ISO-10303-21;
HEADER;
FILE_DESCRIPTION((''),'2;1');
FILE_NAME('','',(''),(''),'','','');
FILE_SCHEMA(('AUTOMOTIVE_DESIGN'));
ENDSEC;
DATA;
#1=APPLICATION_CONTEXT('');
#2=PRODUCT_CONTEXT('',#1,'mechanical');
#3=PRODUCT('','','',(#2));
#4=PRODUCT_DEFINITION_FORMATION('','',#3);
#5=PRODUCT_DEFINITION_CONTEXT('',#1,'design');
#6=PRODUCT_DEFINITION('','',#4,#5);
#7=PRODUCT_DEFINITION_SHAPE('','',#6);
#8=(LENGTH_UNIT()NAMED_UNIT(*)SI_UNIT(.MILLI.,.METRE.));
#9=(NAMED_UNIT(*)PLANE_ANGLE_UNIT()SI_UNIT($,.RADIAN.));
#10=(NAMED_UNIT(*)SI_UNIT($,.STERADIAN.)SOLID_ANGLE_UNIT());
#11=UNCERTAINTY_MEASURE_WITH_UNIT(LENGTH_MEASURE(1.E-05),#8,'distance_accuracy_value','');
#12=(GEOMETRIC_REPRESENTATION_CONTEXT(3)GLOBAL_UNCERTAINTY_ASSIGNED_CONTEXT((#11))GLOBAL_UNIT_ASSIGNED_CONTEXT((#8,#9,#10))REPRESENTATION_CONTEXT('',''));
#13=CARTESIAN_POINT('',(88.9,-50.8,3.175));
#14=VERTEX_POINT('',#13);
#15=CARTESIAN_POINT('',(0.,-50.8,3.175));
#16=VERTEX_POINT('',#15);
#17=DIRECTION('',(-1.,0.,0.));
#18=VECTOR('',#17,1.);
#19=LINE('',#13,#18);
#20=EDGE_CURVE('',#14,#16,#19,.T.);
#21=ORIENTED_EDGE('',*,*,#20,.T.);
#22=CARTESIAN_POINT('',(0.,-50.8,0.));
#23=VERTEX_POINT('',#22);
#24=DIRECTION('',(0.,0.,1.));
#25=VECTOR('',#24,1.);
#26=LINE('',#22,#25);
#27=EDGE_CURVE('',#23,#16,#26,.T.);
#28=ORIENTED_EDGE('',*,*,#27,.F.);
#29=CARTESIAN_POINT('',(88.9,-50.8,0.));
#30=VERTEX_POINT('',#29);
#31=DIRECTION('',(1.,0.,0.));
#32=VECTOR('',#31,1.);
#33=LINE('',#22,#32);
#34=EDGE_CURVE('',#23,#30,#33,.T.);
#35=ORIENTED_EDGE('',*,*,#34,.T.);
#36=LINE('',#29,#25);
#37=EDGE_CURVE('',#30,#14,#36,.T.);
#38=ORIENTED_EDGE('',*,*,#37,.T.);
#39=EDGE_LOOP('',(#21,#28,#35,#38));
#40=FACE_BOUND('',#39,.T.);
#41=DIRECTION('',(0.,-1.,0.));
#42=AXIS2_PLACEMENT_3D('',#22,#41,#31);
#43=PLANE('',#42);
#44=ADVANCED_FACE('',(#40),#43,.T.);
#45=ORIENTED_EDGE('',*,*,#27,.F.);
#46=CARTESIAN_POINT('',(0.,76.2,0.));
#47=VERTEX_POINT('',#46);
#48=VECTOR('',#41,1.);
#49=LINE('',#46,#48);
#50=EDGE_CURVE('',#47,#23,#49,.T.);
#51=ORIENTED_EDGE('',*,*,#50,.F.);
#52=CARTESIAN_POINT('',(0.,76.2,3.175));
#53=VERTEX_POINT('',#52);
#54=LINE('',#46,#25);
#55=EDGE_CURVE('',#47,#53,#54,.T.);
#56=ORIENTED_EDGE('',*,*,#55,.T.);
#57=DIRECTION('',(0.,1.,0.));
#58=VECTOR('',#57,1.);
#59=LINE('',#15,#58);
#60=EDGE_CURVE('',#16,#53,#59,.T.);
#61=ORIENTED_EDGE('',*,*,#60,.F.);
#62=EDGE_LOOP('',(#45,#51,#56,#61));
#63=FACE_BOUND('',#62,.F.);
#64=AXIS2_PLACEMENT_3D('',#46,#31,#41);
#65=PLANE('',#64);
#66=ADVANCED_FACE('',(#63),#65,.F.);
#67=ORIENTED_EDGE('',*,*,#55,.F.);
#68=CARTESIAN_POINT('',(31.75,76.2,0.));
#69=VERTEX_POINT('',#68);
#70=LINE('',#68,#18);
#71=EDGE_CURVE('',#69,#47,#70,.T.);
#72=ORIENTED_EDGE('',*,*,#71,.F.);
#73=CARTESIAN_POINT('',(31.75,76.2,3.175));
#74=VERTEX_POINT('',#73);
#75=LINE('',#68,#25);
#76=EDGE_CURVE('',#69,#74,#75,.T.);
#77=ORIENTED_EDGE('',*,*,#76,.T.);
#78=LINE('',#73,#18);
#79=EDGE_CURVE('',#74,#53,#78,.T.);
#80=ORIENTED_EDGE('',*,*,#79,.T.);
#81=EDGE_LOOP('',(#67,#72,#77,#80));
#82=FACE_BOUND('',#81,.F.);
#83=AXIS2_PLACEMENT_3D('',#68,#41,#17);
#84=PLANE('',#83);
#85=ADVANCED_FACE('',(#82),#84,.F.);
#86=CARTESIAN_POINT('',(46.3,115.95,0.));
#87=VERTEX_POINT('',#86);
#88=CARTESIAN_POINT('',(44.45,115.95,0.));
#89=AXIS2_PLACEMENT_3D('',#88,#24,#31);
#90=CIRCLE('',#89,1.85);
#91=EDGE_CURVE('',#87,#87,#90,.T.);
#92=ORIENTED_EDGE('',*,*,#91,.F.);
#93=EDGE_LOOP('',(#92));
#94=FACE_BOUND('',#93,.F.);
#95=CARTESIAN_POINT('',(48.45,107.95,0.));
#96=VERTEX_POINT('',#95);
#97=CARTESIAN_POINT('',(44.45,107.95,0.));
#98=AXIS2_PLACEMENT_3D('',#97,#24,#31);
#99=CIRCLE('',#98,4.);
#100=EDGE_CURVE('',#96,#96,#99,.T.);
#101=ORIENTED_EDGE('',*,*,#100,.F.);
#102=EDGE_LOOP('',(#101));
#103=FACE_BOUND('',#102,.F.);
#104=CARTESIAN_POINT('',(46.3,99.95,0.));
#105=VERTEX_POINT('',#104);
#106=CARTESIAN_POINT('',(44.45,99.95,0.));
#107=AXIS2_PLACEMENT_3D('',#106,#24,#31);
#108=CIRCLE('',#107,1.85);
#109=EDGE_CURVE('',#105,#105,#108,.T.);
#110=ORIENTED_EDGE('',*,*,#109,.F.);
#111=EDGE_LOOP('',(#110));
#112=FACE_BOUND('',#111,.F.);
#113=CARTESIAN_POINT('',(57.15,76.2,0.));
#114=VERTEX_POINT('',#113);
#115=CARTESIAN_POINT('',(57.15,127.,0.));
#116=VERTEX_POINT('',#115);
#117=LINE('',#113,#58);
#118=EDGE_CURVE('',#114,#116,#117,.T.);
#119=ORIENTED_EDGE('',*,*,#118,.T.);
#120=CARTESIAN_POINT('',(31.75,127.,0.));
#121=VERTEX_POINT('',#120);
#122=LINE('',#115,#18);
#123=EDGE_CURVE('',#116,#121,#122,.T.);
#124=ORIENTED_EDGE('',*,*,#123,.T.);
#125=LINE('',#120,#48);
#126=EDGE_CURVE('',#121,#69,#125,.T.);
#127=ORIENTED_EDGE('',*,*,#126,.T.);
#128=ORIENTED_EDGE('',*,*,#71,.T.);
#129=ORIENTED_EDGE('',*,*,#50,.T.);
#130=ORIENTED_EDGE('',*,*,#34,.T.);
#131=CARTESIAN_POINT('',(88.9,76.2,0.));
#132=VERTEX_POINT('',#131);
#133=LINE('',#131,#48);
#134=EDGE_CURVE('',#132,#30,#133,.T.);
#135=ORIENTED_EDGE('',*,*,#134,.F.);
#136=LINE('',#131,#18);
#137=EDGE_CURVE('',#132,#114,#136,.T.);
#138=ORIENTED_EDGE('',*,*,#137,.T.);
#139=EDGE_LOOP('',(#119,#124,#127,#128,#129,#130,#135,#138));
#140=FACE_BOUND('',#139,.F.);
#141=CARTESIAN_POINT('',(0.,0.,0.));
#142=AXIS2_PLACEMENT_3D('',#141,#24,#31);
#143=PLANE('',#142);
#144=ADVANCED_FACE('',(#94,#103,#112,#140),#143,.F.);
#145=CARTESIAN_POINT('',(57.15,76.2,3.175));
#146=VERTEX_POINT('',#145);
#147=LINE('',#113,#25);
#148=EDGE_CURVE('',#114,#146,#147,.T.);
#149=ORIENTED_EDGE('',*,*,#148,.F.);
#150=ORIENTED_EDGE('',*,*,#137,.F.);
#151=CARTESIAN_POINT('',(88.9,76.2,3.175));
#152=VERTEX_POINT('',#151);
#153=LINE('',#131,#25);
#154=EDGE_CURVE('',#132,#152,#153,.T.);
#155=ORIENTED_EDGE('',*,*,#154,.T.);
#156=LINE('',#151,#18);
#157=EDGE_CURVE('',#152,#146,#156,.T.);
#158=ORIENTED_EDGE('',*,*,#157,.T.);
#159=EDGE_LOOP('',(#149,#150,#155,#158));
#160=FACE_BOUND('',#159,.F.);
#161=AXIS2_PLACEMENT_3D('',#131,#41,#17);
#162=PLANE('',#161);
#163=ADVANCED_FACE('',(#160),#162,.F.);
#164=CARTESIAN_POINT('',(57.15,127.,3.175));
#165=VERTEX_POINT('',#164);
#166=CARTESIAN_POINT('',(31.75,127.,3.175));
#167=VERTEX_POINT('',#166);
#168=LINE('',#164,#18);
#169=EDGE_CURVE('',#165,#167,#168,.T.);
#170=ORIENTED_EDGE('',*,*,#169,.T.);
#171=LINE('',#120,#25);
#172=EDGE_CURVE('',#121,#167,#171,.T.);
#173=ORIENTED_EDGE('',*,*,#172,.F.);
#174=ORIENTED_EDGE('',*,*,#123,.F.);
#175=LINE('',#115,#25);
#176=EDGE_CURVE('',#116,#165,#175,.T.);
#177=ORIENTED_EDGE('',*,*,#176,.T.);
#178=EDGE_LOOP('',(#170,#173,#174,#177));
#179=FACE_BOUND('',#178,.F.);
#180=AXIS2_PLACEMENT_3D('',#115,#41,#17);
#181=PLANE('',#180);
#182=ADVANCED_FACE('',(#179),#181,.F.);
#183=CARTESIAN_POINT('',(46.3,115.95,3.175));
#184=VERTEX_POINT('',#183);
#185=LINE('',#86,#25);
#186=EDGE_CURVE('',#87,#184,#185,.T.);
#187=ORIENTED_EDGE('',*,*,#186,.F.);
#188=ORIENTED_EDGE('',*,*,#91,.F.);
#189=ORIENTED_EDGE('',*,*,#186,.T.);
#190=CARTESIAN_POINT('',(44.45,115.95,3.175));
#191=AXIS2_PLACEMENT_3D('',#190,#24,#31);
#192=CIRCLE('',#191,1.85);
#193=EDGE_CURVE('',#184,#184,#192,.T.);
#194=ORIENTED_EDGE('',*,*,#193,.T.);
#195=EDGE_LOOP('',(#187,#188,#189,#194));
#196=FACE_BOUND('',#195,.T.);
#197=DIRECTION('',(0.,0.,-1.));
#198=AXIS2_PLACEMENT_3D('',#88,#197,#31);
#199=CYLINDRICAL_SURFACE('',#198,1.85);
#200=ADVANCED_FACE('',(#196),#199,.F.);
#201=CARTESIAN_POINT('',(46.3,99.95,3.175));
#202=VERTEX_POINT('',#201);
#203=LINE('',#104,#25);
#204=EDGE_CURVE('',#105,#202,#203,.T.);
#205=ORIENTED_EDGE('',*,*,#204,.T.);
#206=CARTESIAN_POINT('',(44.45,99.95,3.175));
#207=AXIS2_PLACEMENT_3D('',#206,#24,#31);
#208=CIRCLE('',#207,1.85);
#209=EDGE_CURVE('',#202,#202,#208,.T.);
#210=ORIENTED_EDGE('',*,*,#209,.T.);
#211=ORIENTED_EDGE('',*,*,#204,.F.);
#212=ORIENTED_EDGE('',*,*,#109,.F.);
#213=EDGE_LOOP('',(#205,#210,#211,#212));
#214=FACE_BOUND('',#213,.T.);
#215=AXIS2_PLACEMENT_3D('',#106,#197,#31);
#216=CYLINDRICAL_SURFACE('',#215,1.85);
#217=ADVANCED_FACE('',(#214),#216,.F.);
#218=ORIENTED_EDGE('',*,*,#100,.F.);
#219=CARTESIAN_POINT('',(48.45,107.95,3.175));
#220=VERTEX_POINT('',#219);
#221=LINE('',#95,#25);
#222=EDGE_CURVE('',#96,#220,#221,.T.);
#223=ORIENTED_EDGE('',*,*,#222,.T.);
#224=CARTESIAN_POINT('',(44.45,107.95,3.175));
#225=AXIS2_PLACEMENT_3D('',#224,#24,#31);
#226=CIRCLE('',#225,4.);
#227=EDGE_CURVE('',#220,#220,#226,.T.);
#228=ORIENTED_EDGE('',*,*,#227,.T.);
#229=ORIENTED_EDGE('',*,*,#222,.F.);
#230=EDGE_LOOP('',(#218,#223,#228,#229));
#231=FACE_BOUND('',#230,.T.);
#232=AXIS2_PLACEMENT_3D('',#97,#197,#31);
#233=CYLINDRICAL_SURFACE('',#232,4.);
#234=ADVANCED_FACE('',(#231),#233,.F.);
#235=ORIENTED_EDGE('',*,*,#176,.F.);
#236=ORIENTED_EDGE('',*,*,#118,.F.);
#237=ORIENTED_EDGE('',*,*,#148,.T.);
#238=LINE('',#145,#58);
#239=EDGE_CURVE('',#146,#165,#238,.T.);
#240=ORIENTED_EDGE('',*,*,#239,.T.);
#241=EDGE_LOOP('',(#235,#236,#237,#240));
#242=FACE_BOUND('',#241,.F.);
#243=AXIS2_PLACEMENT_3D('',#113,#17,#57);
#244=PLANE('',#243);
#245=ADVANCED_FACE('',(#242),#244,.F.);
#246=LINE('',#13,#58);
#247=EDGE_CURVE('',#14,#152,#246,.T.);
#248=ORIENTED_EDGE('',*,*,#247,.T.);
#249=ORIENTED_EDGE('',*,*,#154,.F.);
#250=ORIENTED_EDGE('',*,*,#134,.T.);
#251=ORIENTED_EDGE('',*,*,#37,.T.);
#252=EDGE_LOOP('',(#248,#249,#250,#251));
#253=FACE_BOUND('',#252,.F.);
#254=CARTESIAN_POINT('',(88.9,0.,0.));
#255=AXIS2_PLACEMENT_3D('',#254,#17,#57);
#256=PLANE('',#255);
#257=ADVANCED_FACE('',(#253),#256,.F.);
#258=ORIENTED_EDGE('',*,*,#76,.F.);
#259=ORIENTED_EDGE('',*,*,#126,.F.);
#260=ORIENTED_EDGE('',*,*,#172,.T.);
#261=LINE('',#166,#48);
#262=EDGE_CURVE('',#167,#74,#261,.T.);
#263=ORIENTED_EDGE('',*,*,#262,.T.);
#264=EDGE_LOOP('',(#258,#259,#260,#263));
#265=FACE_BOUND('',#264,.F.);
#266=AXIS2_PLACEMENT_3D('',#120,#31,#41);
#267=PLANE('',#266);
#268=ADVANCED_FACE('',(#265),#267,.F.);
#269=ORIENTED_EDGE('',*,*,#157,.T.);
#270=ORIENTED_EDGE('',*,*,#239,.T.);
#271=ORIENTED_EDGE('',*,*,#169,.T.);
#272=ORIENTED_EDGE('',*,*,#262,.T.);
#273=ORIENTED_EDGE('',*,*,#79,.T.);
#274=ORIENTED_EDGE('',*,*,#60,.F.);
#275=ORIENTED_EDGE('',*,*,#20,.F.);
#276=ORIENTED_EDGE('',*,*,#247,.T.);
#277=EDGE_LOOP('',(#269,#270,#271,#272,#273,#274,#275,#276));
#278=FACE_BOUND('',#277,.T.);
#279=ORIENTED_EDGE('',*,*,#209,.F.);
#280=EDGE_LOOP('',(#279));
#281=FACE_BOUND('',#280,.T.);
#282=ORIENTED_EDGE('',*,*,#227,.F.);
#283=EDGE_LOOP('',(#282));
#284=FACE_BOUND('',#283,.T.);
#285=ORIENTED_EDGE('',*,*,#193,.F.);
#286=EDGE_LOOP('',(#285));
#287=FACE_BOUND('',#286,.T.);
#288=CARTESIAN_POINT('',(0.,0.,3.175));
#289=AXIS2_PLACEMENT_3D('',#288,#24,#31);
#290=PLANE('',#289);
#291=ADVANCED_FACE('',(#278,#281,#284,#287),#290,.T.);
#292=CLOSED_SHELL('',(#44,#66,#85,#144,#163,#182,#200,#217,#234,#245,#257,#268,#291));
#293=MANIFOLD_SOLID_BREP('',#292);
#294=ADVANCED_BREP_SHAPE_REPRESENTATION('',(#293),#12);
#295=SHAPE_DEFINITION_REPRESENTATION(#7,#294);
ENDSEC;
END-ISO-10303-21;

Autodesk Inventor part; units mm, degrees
ref_plane "YZ Plane" through (0, 0, 0) normal (1, 0, 0) x (0, 1, 0)
ref_plane "XZ Plane" through (0, 0, 0) normal (0, 1, 0) x (-1, 0, 0)
ref_plane "XY Plane" through (0, 0, 0) normal (0, 0, 1) x (1, 0, 0)
sketch "Sketch1" plane through (0, 0, 0) normal (0, 0, 1) x (1, 0, 0)
  line L0 (0, 0) -> (88.9, 0)
  line L1 (88.9, 0) -> (88.9, 76.2)
  line L2 (0, 76.2) -> (0, 0)
  line L3 (57.15, 76.2) -> (57.15, 127)
  line L4 (57.15, 127) -> (31.75, 127)
  line L5 (31.75, 127) -> (31.75, 76.2)
  circle A0 centre (44.45, 107.95) radius 4
  circle A1 centre (44.45, 115.95) radius 1.85
  circle A2 centre (44.45, 99.95) radius 1.85
  line L6 (88.9, 76.2) -> (57.15, 76.2)
  line L7 (31.75, 76.2) -> (0, 76.2)
  point P0 (-8, 0)
  point P1 (8, 0)
  dimension "d0" = 88.9
  dimension "d1" = 76.2
  dimension "d2" = 25.4
  dimension "d3" = 50.8
  dimension "d7" = 8
  dimension "d8" = 8
  dimension "d9" = 19.05
  dimension "d10" = 12.7
  dimension "d11" = 31.75
extrude "Extrusion1" add sketch "Sketch1" along normal blind 3.175
sketch "Sketch2" plane through (0, 0, 0) normal (0, -1, 0) x (1, 0, 0)
  line L0 (88.9, 3.175) -> (0, 3.175) projected
  line L1 (0, 0) -> (0, 3.175) projected
  line L2 (0, 0) -> (88.9, 0) projected
  line L3 (88.9, 0) -> (88.9, 3.175) projected
extrude "Extrusion2" add sketch "Sketch2" along normal blind 50.8
properties part number "Ball Release" material "Polycarbonate, Clear"
